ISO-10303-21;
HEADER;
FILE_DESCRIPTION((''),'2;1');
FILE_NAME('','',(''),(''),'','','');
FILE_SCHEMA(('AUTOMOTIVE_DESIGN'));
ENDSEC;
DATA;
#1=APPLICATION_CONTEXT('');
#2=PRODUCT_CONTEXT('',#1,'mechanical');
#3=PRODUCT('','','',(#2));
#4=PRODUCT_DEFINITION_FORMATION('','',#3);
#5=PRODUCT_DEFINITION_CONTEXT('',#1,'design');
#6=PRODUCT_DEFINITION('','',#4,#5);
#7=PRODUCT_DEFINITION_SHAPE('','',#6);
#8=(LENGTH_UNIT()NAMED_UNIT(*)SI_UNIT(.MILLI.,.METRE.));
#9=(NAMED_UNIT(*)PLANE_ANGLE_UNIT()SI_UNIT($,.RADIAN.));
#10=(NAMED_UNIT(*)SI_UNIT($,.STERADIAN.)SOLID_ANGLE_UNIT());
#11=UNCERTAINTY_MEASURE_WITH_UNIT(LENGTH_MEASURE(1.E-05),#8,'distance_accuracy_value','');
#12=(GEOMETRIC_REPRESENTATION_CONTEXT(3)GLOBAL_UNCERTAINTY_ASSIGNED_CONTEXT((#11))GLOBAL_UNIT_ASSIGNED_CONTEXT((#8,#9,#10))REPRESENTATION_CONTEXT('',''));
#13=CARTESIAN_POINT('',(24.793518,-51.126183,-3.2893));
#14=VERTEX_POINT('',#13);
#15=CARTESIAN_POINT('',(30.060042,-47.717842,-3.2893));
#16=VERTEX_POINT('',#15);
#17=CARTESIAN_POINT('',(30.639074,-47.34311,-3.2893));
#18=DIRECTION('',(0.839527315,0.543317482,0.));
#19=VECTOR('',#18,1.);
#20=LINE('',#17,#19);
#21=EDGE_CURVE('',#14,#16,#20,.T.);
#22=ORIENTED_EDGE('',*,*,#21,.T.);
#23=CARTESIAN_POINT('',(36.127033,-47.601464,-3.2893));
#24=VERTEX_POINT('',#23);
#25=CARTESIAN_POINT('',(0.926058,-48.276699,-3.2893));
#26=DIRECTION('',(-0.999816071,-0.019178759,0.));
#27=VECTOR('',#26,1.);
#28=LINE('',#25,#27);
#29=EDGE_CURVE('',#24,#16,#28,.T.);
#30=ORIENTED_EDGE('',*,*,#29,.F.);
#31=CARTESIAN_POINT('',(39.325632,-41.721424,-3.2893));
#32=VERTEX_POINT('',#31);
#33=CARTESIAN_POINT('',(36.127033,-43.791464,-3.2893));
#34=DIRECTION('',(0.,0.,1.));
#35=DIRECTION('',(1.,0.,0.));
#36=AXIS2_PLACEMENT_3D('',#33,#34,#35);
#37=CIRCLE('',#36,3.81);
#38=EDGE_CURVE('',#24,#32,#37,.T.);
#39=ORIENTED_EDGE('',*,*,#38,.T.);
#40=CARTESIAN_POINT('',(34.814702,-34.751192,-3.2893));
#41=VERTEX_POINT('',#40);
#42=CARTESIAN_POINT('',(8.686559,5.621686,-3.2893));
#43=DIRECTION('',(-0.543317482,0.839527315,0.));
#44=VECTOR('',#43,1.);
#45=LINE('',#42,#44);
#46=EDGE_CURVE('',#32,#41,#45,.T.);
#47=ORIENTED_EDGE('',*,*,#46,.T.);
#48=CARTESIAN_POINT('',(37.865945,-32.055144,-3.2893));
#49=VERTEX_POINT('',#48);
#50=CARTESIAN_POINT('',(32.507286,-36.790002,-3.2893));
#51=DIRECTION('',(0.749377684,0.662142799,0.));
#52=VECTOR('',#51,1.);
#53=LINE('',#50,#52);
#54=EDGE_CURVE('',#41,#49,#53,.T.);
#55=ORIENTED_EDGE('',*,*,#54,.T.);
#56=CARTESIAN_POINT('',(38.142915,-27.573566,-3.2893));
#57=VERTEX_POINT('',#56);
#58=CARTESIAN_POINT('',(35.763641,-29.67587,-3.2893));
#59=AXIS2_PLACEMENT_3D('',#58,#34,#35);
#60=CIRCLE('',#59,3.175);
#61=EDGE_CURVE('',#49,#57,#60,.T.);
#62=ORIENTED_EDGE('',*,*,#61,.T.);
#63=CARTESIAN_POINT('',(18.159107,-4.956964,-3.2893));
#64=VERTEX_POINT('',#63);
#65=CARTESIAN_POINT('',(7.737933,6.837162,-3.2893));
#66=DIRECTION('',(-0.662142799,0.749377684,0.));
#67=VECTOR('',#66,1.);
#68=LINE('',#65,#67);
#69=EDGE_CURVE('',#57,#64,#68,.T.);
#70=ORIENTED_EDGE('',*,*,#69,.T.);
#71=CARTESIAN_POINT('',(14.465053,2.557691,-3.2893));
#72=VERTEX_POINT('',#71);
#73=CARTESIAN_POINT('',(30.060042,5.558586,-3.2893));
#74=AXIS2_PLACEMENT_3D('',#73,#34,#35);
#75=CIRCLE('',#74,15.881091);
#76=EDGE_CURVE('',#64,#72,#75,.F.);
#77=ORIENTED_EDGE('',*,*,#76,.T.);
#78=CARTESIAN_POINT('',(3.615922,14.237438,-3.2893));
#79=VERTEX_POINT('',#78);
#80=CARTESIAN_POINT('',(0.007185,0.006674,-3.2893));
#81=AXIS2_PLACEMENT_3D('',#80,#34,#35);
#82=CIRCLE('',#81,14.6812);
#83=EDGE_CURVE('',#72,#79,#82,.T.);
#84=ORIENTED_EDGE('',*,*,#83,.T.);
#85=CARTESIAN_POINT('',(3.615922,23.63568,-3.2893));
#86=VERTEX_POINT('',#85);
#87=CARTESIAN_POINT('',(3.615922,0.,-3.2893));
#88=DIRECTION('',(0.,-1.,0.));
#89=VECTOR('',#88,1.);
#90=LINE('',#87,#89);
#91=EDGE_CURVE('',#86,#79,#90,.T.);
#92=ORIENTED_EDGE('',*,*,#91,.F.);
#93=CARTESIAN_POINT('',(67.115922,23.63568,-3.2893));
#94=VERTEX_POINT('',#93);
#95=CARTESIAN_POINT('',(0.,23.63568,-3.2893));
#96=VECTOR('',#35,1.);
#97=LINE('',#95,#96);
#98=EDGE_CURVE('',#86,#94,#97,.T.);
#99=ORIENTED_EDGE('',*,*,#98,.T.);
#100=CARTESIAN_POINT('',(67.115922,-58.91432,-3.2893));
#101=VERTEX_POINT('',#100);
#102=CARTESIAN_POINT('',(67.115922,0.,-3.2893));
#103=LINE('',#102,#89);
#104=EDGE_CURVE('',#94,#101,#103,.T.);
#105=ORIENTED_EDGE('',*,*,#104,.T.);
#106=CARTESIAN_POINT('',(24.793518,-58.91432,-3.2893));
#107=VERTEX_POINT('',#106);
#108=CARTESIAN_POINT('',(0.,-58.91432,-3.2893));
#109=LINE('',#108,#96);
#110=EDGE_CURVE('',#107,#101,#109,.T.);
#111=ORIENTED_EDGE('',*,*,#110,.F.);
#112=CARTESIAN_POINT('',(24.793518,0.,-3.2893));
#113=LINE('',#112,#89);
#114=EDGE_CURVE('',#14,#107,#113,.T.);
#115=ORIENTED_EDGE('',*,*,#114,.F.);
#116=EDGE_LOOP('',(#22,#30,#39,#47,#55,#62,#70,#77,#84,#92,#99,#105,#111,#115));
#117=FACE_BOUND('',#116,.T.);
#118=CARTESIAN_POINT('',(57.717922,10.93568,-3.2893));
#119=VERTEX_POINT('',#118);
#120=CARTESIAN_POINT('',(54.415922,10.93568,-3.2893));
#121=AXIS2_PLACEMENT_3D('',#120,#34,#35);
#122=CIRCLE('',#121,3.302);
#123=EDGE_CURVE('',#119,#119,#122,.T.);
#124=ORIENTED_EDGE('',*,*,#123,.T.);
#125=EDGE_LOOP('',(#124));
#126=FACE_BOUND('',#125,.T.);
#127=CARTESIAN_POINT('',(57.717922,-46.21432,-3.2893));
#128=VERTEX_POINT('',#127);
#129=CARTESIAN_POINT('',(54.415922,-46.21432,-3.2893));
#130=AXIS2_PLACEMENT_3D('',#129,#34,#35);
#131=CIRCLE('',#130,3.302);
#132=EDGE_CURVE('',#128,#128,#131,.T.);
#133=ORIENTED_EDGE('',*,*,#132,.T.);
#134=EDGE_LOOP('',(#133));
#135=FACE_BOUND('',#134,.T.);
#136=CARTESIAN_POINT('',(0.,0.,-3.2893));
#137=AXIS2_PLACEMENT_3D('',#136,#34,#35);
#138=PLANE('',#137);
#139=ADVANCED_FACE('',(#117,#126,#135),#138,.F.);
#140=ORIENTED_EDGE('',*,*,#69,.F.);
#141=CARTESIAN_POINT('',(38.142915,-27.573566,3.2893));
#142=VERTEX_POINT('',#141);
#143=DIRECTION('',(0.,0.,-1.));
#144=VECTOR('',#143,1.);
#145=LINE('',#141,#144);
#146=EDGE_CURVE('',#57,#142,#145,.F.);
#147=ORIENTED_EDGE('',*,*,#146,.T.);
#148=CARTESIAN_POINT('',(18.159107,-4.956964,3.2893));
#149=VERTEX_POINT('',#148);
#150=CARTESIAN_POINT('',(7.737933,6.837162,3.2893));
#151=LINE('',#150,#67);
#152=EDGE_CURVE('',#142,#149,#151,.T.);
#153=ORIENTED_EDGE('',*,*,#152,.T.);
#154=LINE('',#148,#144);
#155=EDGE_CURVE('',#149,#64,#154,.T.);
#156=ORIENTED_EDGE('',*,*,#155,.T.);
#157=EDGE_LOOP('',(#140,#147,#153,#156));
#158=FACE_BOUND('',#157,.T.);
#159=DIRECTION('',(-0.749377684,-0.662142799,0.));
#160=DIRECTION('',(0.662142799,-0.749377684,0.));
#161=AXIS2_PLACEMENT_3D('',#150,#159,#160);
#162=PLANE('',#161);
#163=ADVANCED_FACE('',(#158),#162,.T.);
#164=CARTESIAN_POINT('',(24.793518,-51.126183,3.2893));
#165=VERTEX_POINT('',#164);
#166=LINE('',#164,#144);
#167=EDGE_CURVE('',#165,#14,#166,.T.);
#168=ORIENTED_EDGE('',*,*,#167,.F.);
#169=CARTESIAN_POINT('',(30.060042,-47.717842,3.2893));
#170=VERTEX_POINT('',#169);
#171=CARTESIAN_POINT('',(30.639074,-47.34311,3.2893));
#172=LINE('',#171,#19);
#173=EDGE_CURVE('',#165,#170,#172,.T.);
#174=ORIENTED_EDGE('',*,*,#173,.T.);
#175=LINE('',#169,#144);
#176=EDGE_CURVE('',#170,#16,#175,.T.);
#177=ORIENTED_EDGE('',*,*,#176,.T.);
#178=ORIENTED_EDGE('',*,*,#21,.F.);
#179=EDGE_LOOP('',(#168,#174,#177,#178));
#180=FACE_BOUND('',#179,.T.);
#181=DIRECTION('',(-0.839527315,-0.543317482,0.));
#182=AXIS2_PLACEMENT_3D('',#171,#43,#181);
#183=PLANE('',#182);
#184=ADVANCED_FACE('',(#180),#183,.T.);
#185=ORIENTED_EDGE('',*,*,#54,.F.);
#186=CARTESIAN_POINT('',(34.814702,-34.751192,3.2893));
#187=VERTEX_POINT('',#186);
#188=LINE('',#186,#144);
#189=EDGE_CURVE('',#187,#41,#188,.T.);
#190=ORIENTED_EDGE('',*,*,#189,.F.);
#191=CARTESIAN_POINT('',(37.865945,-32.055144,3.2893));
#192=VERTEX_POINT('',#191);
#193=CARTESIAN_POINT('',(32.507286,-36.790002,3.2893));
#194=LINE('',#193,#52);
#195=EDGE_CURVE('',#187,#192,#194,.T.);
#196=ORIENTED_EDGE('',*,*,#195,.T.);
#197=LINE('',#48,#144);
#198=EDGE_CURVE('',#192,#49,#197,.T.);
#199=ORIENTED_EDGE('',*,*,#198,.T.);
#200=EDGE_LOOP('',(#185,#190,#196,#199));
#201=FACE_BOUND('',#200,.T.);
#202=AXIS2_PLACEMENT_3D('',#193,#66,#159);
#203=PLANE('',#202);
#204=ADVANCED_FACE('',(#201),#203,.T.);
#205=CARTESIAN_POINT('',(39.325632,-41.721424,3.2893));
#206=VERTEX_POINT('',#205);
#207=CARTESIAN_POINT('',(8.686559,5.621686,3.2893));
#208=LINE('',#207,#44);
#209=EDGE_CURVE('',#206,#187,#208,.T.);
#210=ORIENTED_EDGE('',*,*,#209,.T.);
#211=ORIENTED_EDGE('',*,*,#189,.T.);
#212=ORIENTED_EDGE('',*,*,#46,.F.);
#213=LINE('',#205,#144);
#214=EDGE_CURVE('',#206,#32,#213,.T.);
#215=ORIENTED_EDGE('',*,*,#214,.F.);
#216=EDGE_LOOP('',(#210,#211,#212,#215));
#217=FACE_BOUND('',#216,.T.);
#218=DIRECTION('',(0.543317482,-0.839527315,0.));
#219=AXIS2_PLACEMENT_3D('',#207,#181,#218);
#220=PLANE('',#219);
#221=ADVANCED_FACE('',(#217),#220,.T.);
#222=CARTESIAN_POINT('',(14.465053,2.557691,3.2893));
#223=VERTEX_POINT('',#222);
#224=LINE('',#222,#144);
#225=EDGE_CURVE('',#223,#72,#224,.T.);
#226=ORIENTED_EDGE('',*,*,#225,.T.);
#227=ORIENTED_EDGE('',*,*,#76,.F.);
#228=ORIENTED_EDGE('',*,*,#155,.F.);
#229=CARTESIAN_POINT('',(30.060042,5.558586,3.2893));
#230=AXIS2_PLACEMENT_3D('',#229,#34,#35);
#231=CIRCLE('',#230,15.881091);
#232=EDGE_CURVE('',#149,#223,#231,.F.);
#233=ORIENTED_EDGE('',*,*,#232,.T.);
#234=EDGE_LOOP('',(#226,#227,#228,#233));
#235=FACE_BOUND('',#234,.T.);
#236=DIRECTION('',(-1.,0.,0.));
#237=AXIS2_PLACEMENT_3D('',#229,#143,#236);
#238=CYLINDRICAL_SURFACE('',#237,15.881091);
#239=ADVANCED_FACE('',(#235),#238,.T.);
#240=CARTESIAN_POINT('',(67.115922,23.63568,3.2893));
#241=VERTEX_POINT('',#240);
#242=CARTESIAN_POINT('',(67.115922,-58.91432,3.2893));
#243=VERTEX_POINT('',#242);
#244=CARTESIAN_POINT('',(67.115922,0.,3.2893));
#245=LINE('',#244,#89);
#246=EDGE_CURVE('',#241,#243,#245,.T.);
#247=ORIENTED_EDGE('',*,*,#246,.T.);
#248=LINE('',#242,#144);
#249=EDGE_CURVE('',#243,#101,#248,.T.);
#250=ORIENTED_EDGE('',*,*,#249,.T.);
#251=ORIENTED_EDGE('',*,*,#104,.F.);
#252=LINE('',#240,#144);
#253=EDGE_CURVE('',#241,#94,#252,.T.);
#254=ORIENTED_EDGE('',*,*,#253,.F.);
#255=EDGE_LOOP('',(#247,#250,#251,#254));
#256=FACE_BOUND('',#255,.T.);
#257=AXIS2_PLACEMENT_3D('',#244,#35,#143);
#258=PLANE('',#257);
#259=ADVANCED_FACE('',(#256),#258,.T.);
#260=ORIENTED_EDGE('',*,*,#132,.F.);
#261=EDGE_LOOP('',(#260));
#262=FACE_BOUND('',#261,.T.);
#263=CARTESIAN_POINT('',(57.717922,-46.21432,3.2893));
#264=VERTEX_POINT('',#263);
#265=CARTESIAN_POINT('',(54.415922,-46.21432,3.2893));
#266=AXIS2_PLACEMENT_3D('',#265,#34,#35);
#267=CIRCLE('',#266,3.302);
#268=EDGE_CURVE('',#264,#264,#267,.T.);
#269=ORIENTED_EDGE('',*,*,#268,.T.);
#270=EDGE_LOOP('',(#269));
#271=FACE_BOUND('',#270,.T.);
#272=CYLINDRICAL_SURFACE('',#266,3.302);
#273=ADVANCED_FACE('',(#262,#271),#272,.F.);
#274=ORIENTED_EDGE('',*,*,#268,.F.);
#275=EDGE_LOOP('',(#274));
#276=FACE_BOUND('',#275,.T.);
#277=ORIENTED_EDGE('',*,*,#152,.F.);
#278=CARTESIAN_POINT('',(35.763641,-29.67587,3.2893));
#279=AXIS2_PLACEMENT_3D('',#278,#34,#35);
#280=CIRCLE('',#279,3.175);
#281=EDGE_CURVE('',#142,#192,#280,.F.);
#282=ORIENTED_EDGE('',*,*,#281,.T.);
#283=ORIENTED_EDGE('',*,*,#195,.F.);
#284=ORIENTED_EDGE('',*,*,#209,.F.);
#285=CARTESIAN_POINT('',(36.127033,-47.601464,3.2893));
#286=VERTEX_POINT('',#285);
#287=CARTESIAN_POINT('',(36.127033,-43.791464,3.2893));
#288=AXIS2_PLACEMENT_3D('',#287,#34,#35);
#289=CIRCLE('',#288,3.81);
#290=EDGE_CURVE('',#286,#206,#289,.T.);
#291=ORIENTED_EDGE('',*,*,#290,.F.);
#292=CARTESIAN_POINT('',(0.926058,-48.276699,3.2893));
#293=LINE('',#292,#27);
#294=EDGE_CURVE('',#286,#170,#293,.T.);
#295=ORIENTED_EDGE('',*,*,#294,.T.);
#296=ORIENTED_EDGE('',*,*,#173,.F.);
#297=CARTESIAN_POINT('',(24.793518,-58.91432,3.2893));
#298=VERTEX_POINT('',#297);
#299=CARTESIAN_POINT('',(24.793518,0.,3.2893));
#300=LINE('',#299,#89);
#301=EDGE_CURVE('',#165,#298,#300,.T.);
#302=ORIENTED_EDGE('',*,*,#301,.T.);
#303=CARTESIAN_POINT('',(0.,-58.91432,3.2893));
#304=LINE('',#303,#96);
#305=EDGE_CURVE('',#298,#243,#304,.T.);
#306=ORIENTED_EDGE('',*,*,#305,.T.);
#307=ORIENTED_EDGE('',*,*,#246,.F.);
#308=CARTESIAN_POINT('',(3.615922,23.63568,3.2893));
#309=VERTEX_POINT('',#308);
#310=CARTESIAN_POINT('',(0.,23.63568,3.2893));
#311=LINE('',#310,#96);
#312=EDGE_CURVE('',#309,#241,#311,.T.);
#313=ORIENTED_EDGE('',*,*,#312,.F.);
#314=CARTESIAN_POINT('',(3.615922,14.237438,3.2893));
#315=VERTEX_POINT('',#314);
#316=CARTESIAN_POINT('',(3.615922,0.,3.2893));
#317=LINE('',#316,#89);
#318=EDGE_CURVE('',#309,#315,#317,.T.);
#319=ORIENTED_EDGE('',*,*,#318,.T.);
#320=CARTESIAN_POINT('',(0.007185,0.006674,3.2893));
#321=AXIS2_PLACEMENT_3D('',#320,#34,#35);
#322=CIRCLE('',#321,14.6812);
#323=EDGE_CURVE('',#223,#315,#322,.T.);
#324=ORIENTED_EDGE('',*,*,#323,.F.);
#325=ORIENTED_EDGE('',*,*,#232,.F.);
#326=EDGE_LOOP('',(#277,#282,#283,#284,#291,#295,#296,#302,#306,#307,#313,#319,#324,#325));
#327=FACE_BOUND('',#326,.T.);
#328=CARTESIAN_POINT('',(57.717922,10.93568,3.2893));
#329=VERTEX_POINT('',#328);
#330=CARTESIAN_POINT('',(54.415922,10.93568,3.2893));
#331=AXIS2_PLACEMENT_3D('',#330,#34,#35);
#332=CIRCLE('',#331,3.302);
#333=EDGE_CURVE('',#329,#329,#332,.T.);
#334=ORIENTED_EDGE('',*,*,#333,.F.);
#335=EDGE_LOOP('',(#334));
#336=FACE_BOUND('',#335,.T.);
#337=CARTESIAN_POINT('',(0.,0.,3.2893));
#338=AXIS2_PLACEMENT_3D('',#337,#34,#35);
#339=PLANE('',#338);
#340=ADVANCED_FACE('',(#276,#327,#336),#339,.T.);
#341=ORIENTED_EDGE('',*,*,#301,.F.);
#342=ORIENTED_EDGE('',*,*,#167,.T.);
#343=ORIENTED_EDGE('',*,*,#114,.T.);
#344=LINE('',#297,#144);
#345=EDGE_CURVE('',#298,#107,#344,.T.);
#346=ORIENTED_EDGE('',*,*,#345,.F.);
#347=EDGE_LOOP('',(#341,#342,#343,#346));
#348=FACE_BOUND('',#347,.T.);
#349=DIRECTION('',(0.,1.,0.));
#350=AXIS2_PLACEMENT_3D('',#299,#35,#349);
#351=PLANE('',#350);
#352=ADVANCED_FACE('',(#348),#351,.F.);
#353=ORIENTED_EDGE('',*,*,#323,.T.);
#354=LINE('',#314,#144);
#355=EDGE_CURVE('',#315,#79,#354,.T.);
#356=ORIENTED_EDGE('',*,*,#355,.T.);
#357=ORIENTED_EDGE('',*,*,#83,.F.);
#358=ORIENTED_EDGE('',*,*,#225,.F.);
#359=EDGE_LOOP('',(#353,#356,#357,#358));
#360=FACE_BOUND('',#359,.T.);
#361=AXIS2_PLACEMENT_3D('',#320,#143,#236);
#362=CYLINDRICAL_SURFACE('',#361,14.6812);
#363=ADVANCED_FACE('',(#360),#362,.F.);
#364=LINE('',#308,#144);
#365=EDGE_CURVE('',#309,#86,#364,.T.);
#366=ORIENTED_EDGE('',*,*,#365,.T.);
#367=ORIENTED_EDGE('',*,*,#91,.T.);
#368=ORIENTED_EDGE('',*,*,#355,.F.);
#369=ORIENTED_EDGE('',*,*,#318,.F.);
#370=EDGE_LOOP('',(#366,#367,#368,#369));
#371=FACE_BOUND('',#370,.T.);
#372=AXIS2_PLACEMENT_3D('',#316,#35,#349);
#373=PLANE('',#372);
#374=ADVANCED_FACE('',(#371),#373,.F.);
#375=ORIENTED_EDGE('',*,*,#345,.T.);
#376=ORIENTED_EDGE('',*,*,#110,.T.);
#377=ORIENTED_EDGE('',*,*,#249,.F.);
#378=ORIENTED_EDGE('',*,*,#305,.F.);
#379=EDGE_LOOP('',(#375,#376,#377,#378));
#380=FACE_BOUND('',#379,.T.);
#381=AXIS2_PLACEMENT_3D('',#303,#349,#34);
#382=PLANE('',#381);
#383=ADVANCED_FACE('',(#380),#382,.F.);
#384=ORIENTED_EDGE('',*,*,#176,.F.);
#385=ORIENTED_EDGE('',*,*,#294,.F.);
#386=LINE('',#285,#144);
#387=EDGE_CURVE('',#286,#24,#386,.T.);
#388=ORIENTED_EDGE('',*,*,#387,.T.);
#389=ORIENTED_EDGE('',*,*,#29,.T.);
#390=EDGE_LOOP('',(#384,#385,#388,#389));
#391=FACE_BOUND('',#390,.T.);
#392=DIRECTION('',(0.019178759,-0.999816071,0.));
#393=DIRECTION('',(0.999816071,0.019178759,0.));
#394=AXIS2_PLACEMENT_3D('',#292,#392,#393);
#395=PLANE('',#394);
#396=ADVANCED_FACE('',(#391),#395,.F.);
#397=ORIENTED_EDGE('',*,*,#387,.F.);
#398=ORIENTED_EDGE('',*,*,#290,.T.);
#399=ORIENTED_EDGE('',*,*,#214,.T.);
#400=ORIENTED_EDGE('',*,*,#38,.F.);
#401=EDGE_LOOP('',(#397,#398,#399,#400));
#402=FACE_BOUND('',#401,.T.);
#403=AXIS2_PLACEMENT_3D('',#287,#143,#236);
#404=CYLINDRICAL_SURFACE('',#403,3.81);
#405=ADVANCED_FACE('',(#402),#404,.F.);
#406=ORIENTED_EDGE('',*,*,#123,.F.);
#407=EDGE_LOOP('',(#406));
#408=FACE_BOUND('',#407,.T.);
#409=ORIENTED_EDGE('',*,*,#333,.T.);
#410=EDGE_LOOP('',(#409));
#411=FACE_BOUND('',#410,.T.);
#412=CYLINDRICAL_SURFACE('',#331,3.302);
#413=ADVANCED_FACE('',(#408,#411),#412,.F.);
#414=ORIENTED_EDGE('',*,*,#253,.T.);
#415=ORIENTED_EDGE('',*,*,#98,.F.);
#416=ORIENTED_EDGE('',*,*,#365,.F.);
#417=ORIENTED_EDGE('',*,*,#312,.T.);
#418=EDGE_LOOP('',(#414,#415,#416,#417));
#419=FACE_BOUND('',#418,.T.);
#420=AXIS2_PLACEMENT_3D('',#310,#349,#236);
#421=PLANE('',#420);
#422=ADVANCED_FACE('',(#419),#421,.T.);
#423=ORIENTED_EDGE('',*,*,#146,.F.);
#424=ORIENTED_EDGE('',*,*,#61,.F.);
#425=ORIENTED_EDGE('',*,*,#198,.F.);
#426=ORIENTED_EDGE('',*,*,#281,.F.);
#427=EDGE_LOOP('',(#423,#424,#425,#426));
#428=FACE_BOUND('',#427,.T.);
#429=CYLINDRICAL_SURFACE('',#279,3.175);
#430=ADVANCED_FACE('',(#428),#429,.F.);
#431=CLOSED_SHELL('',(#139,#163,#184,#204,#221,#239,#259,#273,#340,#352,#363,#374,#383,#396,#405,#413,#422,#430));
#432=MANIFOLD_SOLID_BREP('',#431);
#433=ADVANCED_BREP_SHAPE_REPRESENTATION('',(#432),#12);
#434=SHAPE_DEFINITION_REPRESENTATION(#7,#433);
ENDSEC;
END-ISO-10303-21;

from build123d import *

# Parameters (mm, degrees)
BOSS_EXTRUDE2_DEPTH        = 3.2893
FILLET4_R                  = 3.175
F_97_0_26_DIAMETER_HOLE1_D = 6.604


with BuildPart() as part:
    # Sketch1 → Boss-Extrude2 (new, symmetric)
    with BuildSketch(Plane.XY):
        with BuildLine():
            Line((40.245218881, -29.952840417), (34.814702315, -34.75119179))
            Line((34.814702315, -34.75119179), (36.859912069, -37.911424085))
            Line((36.859912069, -37.911424085), (39.325632445, -41.721424085))
            ThreePointArc((39.325632445, -41.721424085), (39.47389391, -45.61207473), (36.127033373, -47.601463693))
            Line((36.127033373, -47.601463693), (30.06004247, -47.717842457))
            Line((30.06004247, -47.717842457), (24.793517597, -51.126183057))
            Line((24.793517597, -51.126183057), (24.793517597, -58.914319794))
            Line((24.793517597, -58.914319794), (50.193517597, -58.914319794))
            Line((50.193517597, -58.914319794), (67.115922286, -58.914319794))
            Line((67.115922286, -58.914319794), (67.115922286, 23.635680206))
            Line((67.115922286, 23.635680206), (3.615922286, 23.635680206))
            Line((3.615922286, 23.635680206), (3.615922286, 14.236541628))
            ThreePointArc((3.615922286, 14.236541628), (10.763958516, 9.998143491), (14.46505327, 2.557690661))
            ThreePointArc((14.46505327, 2.557690661), (15.807885527, -1.447488843), (18.159107069, -4.956964385))
            Line((18.159107069, -4.956964385), (40.245218881, -29.952840417))
        make_face()
    extrude(amount=BOSS_EXTRUDE2_DEPTH, both=True)

    # Fillet4
    fillet4_edges = [part.edges().sort_by_distance(p)[0] for p in [
        (40.245218881, -29.952840417, 0),
    ]]
    fillet(fillet4_edges, radius=FILLET4_R)

    # #97 (0.26) Diameter Hole1 (through all)
    with Locations(Plane(origin=(54.415922286, 10.935680206, 3.2893), x_dir=(1, 0, 0), z_dir=(0, 0, 1))):
        with Locations((0, 0), (0, -57.15)):
            Hole(F_97_0_26_DIAMETER_HOLE1_D / 2)


solid = part.part
